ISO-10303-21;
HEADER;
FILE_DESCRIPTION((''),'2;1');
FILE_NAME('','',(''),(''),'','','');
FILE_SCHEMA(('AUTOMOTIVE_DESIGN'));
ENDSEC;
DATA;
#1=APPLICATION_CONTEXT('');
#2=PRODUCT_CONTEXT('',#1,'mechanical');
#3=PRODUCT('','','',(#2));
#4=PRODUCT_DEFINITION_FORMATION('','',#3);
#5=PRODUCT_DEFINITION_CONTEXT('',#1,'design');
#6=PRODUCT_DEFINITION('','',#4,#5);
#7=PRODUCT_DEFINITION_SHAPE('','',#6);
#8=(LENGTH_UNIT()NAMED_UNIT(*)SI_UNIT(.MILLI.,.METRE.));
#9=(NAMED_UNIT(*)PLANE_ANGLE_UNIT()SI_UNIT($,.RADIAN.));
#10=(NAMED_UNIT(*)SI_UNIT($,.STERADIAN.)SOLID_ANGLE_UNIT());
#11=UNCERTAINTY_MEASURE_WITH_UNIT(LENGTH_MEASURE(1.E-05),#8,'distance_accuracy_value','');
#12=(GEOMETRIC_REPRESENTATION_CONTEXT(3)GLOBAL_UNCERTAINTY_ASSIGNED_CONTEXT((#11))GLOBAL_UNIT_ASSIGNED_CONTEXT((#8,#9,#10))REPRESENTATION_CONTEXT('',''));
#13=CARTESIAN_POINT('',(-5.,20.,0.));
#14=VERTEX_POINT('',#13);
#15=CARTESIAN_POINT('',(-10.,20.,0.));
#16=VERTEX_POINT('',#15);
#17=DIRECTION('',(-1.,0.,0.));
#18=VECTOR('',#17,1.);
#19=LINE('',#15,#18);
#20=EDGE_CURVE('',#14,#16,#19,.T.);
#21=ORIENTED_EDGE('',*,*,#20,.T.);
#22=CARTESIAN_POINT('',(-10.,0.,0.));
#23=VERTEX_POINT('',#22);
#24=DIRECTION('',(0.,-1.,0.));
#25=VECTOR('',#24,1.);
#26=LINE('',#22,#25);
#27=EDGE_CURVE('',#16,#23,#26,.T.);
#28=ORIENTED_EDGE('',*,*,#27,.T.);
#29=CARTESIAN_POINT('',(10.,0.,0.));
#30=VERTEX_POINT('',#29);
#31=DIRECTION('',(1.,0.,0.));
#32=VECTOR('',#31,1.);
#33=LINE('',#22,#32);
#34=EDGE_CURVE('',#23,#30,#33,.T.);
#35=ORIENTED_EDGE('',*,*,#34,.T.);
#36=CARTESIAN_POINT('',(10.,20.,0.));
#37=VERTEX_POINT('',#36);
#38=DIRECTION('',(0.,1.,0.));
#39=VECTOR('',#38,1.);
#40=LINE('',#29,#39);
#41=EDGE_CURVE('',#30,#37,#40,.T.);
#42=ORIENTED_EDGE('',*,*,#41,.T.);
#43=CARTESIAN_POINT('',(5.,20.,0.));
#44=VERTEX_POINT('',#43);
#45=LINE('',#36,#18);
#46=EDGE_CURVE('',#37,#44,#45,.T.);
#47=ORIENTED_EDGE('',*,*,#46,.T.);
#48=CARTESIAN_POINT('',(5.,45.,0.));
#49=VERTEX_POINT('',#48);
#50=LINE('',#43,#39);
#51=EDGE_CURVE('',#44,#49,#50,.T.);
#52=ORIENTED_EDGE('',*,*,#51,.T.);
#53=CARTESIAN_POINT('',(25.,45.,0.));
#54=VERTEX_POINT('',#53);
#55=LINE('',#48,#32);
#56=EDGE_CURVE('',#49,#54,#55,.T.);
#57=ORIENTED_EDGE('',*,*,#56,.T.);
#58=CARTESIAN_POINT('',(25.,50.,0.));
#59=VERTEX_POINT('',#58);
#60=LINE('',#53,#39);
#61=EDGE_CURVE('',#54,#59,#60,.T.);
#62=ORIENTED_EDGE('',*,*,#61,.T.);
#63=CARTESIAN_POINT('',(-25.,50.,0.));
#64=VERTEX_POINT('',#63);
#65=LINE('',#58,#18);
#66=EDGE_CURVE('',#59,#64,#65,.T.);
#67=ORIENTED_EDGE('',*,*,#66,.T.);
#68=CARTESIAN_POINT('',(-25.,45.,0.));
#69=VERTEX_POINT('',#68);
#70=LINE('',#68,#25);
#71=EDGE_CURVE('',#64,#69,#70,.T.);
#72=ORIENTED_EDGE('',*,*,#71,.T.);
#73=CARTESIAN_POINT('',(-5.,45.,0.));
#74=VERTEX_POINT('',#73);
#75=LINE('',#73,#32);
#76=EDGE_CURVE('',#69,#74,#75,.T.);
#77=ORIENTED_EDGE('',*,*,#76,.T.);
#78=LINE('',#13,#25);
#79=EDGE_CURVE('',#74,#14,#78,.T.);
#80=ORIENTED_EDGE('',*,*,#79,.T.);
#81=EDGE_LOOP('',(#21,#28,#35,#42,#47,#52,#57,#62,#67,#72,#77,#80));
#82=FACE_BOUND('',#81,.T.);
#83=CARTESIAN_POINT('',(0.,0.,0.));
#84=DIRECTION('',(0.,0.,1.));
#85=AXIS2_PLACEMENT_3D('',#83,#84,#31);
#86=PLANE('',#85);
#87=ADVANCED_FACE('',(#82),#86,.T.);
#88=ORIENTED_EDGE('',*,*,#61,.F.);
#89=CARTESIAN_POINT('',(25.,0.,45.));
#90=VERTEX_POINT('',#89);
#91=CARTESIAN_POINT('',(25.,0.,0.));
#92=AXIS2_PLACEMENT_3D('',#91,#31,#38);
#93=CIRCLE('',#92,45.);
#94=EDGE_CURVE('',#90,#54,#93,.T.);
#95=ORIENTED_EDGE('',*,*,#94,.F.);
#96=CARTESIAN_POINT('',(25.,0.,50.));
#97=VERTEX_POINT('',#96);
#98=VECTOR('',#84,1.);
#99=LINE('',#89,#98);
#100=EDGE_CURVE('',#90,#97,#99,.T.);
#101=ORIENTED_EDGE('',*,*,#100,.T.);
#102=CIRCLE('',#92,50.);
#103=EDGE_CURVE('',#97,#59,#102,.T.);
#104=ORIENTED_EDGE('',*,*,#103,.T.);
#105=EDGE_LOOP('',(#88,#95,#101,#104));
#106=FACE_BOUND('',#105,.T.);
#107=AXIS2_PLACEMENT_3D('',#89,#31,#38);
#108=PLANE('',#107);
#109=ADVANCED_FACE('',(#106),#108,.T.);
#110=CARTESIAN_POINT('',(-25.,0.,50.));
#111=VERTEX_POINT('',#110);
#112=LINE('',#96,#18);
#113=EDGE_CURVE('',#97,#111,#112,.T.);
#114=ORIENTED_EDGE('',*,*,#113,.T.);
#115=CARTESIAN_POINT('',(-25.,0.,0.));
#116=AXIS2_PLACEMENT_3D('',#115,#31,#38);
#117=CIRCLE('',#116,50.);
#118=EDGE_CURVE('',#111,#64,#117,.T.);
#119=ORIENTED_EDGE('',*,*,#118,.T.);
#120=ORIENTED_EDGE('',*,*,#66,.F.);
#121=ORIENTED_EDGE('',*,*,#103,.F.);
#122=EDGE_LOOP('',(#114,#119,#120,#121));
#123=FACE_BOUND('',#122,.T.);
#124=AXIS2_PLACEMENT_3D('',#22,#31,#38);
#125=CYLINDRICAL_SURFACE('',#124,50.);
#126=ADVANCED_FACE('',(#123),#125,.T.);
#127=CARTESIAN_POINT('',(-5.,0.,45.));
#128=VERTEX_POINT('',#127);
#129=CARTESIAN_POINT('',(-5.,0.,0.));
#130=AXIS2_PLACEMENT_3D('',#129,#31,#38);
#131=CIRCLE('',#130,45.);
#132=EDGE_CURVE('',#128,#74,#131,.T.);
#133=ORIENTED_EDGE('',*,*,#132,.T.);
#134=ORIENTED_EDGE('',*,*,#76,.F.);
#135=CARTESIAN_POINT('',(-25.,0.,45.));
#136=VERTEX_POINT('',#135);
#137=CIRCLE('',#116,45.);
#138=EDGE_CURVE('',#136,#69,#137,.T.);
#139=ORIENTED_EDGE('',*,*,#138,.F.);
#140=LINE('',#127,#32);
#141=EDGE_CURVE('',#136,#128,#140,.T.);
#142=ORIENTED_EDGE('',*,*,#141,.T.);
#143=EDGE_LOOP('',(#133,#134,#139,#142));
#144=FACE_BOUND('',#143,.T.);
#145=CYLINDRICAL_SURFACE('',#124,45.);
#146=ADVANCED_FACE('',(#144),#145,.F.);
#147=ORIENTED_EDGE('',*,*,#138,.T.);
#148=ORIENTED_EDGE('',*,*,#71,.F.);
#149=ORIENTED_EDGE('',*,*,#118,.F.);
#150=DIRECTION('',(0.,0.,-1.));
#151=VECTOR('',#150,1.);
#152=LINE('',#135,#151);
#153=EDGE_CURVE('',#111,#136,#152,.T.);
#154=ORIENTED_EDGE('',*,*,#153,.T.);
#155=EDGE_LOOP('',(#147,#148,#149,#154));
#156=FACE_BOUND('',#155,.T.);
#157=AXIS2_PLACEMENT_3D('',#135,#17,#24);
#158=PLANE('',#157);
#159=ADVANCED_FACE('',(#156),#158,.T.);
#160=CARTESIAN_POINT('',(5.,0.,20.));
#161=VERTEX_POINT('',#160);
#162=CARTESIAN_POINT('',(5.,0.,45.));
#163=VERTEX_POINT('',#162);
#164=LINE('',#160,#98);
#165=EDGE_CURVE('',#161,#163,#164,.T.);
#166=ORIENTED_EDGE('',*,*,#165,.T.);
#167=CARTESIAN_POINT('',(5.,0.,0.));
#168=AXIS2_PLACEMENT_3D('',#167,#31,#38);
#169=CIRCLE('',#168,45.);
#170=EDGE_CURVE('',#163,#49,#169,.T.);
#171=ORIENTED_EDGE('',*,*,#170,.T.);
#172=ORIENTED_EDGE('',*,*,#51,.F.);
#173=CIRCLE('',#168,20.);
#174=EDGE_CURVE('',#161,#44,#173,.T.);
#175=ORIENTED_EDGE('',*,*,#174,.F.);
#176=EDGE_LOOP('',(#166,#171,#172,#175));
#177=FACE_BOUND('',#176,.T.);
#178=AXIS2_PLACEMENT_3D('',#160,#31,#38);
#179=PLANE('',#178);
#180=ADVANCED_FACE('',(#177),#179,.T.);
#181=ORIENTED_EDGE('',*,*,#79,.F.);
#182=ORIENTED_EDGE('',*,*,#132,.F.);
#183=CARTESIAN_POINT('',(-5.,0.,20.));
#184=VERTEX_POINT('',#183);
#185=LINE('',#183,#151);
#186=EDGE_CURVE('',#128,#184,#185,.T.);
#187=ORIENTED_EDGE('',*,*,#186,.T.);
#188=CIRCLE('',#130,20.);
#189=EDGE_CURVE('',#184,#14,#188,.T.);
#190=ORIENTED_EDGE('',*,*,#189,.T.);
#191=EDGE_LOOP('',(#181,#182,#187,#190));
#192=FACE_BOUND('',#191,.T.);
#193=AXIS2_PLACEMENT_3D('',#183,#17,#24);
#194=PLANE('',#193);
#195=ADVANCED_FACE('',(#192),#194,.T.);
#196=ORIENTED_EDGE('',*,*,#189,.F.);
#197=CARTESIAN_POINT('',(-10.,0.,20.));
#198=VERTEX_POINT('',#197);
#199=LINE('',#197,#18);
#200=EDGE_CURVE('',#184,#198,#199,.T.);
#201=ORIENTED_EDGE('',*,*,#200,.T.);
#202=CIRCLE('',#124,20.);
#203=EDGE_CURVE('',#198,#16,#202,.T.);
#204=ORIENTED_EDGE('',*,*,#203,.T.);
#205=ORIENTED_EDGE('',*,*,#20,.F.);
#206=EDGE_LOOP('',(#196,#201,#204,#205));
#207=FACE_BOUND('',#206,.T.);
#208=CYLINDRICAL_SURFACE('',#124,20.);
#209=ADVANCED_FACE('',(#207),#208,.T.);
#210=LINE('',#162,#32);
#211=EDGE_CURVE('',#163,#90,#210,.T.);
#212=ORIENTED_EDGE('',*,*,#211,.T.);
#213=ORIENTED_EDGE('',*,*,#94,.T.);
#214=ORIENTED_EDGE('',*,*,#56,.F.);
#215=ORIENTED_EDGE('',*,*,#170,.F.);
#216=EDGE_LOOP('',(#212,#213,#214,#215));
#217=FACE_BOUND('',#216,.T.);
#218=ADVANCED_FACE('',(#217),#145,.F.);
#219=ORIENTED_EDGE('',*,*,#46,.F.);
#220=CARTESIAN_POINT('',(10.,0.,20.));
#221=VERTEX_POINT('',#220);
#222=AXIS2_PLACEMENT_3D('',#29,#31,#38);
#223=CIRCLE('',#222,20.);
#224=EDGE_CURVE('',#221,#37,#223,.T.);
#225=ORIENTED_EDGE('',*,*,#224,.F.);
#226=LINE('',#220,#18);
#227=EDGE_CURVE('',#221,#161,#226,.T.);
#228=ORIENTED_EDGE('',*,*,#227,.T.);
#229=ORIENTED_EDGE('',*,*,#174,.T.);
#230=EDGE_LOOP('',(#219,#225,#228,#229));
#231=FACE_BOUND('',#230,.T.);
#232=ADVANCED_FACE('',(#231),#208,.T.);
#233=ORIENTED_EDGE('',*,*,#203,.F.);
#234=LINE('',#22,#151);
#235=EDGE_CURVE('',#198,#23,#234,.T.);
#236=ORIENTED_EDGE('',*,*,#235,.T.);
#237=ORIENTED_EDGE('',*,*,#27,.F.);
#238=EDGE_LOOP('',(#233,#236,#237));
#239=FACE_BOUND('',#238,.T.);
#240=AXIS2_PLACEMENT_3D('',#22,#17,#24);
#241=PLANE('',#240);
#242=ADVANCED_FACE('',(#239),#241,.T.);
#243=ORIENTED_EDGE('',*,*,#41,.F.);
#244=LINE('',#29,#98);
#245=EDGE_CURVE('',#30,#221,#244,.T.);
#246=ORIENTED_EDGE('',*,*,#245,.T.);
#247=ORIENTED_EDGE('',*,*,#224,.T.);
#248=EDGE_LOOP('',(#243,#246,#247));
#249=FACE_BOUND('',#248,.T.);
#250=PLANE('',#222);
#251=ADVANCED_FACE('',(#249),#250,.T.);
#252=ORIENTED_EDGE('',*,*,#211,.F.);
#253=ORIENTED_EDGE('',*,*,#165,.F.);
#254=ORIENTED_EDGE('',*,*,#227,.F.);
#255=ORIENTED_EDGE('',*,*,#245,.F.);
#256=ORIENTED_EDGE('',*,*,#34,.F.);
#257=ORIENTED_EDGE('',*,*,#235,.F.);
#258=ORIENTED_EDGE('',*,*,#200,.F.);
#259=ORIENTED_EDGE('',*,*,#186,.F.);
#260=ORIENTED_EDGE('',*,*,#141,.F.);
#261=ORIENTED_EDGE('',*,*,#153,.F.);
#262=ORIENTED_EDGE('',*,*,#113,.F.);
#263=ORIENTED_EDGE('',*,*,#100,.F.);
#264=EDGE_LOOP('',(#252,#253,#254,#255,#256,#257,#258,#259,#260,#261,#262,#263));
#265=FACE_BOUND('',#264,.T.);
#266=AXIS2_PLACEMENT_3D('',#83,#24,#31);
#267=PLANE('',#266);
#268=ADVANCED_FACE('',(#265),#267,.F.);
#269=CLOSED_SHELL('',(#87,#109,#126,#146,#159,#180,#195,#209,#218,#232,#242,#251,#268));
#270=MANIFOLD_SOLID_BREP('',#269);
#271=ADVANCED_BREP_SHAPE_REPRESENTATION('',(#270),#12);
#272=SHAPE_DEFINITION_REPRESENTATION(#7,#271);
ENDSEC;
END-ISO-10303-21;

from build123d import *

# Parameters (mm, degrees)
REVOLVE2_ANGLE = 270


with BuildPart() as part:
    # Sketch1 → Revolve2 (revolve)
    with BuildSketch(Plane.XY):
        Polygon((-10, 0), (10, 0), (10, 20), (5, 20), (5, 45), (25, 45), (25, 50), (-25, 50), (-25, 45), (-5, 45), (-5, 20), (-10, 20), align=None)
    revolve(axis=Axis((-10, 0, 0), (-1, 0, 0)), revolution_arc=REVOLVE2_ANGLE)


solid = part.part
